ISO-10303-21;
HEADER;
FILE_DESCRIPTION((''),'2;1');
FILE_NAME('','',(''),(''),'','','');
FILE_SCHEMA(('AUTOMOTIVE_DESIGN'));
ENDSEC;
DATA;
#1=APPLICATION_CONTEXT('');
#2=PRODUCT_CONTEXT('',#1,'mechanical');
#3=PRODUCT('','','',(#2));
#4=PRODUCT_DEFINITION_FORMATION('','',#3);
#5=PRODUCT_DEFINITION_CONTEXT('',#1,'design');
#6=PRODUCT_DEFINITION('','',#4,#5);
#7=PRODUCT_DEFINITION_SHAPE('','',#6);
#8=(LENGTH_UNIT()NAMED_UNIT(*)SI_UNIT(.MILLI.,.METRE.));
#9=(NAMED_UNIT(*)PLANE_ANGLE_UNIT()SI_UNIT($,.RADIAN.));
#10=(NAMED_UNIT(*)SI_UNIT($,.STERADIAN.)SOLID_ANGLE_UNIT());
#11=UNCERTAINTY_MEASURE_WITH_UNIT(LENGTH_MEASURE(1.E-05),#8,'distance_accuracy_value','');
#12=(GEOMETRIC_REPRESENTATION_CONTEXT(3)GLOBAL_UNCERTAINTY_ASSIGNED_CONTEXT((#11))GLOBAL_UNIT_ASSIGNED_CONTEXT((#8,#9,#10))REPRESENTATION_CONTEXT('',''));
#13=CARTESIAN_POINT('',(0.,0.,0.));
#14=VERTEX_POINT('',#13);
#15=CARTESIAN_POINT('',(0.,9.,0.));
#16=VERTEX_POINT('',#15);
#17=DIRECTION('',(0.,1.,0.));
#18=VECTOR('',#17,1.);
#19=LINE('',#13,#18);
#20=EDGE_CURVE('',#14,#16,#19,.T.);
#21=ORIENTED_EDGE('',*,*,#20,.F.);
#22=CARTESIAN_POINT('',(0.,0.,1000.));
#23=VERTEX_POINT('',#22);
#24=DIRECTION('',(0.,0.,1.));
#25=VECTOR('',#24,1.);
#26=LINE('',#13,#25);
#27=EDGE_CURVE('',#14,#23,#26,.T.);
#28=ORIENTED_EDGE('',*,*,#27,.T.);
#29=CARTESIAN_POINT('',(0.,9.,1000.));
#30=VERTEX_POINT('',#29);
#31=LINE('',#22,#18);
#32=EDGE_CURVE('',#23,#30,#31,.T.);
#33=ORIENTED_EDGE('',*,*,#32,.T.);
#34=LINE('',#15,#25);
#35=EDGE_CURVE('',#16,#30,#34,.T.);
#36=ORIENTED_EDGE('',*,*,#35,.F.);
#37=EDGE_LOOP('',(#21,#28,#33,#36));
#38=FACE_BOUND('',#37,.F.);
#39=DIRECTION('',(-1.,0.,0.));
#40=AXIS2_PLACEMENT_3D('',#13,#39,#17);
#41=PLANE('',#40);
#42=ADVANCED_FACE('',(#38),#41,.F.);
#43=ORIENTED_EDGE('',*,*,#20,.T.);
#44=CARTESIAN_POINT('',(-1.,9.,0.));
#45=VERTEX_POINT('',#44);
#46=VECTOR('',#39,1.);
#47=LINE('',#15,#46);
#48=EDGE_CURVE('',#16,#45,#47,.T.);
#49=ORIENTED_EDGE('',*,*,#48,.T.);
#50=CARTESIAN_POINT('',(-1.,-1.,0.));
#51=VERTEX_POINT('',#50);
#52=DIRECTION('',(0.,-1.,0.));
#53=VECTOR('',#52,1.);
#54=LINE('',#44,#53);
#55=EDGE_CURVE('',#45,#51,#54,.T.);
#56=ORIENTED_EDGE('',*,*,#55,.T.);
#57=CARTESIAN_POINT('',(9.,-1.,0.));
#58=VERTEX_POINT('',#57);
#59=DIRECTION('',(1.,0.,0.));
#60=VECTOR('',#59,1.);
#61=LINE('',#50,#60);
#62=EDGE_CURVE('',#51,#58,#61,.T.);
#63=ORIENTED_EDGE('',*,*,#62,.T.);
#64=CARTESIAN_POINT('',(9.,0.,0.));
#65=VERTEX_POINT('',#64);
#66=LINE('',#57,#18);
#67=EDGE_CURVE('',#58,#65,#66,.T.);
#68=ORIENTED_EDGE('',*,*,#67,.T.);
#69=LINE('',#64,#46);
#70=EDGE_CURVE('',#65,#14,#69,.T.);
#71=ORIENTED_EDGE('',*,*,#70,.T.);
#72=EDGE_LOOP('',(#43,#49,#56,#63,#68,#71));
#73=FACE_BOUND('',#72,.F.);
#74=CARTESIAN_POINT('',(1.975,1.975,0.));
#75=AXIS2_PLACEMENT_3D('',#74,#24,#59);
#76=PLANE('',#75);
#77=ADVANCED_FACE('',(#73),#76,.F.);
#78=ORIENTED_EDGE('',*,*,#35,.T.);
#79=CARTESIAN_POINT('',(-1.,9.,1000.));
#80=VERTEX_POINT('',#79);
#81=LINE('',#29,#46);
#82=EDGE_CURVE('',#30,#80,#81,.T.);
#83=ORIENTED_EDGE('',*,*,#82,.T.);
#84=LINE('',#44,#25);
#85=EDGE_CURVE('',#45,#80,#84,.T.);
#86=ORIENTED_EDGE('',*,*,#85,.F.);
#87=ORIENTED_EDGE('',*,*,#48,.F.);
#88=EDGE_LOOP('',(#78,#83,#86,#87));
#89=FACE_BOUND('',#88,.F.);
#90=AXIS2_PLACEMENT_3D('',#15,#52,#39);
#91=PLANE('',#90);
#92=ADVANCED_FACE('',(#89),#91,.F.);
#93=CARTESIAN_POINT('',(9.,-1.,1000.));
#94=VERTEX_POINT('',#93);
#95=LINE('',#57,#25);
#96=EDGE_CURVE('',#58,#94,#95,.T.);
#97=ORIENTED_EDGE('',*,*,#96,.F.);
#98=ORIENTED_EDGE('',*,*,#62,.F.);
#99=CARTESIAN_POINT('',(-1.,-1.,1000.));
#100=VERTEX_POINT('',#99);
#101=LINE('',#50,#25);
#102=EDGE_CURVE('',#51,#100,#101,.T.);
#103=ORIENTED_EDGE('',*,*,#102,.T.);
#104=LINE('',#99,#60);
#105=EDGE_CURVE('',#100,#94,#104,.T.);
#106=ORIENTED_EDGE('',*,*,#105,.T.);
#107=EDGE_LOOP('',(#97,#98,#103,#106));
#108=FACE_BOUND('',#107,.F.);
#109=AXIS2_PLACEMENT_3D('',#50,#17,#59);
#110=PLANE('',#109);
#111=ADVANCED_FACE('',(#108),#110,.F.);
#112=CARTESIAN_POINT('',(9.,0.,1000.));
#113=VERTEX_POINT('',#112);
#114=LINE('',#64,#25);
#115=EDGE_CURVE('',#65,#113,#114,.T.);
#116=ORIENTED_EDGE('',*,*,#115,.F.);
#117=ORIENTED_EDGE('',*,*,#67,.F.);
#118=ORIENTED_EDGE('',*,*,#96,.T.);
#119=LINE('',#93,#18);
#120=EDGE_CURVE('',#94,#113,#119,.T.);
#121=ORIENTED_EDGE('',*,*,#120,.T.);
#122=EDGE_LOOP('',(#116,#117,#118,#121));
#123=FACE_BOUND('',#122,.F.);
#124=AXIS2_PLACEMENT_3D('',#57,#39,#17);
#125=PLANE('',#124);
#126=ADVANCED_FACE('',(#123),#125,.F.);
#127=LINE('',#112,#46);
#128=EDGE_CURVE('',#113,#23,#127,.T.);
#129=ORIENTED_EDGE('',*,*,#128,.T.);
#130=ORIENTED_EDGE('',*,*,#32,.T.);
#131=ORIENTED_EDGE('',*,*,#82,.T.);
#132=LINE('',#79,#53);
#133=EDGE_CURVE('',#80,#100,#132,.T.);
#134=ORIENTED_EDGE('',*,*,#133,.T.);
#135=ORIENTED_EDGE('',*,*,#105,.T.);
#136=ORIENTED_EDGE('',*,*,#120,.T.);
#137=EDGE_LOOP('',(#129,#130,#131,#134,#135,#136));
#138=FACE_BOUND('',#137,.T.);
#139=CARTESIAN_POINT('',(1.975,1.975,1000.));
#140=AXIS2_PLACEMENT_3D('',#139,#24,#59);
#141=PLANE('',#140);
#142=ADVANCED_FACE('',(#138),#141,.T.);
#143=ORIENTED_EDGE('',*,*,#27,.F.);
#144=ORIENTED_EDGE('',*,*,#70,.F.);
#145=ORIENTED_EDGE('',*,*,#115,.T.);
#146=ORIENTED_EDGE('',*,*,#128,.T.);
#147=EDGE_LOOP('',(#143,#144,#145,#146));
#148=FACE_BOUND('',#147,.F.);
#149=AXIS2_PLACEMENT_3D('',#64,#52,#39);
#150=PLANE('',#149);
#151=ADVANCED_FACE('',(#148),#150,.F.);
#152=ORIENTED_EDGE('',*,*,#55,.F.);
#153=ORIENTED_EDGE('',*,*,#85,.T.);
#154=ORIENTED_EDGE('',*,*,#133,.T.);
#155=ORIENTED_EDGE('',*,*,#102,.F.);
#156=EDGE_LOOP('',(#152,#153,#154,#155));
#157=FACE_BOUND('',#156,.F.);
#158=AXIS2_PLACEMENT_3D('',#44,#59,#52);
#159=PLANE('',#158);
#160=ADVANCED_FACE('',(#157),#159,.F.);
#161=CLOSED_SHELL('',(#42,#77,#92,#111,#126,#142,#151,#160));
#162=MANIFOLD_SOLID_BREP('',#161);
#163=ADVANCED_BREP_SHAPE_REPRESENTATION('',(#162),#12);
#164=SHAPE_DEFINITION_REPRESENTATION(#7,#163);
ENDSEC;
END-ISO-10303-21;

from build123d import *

# Parameters (mm, degrees)
PAD_DEPTH = 1000


with BuildPart() as part:
    # Sketch → Pad (new body)
    with BuildSketch(Plane.XY):
        Polygon((0, 0), (0, 9), (-1, 9), (-1, -1), (9, -1), (9, 0), align=None)
    extrude(amount=PAD_DEPTH)


solid = part.part
